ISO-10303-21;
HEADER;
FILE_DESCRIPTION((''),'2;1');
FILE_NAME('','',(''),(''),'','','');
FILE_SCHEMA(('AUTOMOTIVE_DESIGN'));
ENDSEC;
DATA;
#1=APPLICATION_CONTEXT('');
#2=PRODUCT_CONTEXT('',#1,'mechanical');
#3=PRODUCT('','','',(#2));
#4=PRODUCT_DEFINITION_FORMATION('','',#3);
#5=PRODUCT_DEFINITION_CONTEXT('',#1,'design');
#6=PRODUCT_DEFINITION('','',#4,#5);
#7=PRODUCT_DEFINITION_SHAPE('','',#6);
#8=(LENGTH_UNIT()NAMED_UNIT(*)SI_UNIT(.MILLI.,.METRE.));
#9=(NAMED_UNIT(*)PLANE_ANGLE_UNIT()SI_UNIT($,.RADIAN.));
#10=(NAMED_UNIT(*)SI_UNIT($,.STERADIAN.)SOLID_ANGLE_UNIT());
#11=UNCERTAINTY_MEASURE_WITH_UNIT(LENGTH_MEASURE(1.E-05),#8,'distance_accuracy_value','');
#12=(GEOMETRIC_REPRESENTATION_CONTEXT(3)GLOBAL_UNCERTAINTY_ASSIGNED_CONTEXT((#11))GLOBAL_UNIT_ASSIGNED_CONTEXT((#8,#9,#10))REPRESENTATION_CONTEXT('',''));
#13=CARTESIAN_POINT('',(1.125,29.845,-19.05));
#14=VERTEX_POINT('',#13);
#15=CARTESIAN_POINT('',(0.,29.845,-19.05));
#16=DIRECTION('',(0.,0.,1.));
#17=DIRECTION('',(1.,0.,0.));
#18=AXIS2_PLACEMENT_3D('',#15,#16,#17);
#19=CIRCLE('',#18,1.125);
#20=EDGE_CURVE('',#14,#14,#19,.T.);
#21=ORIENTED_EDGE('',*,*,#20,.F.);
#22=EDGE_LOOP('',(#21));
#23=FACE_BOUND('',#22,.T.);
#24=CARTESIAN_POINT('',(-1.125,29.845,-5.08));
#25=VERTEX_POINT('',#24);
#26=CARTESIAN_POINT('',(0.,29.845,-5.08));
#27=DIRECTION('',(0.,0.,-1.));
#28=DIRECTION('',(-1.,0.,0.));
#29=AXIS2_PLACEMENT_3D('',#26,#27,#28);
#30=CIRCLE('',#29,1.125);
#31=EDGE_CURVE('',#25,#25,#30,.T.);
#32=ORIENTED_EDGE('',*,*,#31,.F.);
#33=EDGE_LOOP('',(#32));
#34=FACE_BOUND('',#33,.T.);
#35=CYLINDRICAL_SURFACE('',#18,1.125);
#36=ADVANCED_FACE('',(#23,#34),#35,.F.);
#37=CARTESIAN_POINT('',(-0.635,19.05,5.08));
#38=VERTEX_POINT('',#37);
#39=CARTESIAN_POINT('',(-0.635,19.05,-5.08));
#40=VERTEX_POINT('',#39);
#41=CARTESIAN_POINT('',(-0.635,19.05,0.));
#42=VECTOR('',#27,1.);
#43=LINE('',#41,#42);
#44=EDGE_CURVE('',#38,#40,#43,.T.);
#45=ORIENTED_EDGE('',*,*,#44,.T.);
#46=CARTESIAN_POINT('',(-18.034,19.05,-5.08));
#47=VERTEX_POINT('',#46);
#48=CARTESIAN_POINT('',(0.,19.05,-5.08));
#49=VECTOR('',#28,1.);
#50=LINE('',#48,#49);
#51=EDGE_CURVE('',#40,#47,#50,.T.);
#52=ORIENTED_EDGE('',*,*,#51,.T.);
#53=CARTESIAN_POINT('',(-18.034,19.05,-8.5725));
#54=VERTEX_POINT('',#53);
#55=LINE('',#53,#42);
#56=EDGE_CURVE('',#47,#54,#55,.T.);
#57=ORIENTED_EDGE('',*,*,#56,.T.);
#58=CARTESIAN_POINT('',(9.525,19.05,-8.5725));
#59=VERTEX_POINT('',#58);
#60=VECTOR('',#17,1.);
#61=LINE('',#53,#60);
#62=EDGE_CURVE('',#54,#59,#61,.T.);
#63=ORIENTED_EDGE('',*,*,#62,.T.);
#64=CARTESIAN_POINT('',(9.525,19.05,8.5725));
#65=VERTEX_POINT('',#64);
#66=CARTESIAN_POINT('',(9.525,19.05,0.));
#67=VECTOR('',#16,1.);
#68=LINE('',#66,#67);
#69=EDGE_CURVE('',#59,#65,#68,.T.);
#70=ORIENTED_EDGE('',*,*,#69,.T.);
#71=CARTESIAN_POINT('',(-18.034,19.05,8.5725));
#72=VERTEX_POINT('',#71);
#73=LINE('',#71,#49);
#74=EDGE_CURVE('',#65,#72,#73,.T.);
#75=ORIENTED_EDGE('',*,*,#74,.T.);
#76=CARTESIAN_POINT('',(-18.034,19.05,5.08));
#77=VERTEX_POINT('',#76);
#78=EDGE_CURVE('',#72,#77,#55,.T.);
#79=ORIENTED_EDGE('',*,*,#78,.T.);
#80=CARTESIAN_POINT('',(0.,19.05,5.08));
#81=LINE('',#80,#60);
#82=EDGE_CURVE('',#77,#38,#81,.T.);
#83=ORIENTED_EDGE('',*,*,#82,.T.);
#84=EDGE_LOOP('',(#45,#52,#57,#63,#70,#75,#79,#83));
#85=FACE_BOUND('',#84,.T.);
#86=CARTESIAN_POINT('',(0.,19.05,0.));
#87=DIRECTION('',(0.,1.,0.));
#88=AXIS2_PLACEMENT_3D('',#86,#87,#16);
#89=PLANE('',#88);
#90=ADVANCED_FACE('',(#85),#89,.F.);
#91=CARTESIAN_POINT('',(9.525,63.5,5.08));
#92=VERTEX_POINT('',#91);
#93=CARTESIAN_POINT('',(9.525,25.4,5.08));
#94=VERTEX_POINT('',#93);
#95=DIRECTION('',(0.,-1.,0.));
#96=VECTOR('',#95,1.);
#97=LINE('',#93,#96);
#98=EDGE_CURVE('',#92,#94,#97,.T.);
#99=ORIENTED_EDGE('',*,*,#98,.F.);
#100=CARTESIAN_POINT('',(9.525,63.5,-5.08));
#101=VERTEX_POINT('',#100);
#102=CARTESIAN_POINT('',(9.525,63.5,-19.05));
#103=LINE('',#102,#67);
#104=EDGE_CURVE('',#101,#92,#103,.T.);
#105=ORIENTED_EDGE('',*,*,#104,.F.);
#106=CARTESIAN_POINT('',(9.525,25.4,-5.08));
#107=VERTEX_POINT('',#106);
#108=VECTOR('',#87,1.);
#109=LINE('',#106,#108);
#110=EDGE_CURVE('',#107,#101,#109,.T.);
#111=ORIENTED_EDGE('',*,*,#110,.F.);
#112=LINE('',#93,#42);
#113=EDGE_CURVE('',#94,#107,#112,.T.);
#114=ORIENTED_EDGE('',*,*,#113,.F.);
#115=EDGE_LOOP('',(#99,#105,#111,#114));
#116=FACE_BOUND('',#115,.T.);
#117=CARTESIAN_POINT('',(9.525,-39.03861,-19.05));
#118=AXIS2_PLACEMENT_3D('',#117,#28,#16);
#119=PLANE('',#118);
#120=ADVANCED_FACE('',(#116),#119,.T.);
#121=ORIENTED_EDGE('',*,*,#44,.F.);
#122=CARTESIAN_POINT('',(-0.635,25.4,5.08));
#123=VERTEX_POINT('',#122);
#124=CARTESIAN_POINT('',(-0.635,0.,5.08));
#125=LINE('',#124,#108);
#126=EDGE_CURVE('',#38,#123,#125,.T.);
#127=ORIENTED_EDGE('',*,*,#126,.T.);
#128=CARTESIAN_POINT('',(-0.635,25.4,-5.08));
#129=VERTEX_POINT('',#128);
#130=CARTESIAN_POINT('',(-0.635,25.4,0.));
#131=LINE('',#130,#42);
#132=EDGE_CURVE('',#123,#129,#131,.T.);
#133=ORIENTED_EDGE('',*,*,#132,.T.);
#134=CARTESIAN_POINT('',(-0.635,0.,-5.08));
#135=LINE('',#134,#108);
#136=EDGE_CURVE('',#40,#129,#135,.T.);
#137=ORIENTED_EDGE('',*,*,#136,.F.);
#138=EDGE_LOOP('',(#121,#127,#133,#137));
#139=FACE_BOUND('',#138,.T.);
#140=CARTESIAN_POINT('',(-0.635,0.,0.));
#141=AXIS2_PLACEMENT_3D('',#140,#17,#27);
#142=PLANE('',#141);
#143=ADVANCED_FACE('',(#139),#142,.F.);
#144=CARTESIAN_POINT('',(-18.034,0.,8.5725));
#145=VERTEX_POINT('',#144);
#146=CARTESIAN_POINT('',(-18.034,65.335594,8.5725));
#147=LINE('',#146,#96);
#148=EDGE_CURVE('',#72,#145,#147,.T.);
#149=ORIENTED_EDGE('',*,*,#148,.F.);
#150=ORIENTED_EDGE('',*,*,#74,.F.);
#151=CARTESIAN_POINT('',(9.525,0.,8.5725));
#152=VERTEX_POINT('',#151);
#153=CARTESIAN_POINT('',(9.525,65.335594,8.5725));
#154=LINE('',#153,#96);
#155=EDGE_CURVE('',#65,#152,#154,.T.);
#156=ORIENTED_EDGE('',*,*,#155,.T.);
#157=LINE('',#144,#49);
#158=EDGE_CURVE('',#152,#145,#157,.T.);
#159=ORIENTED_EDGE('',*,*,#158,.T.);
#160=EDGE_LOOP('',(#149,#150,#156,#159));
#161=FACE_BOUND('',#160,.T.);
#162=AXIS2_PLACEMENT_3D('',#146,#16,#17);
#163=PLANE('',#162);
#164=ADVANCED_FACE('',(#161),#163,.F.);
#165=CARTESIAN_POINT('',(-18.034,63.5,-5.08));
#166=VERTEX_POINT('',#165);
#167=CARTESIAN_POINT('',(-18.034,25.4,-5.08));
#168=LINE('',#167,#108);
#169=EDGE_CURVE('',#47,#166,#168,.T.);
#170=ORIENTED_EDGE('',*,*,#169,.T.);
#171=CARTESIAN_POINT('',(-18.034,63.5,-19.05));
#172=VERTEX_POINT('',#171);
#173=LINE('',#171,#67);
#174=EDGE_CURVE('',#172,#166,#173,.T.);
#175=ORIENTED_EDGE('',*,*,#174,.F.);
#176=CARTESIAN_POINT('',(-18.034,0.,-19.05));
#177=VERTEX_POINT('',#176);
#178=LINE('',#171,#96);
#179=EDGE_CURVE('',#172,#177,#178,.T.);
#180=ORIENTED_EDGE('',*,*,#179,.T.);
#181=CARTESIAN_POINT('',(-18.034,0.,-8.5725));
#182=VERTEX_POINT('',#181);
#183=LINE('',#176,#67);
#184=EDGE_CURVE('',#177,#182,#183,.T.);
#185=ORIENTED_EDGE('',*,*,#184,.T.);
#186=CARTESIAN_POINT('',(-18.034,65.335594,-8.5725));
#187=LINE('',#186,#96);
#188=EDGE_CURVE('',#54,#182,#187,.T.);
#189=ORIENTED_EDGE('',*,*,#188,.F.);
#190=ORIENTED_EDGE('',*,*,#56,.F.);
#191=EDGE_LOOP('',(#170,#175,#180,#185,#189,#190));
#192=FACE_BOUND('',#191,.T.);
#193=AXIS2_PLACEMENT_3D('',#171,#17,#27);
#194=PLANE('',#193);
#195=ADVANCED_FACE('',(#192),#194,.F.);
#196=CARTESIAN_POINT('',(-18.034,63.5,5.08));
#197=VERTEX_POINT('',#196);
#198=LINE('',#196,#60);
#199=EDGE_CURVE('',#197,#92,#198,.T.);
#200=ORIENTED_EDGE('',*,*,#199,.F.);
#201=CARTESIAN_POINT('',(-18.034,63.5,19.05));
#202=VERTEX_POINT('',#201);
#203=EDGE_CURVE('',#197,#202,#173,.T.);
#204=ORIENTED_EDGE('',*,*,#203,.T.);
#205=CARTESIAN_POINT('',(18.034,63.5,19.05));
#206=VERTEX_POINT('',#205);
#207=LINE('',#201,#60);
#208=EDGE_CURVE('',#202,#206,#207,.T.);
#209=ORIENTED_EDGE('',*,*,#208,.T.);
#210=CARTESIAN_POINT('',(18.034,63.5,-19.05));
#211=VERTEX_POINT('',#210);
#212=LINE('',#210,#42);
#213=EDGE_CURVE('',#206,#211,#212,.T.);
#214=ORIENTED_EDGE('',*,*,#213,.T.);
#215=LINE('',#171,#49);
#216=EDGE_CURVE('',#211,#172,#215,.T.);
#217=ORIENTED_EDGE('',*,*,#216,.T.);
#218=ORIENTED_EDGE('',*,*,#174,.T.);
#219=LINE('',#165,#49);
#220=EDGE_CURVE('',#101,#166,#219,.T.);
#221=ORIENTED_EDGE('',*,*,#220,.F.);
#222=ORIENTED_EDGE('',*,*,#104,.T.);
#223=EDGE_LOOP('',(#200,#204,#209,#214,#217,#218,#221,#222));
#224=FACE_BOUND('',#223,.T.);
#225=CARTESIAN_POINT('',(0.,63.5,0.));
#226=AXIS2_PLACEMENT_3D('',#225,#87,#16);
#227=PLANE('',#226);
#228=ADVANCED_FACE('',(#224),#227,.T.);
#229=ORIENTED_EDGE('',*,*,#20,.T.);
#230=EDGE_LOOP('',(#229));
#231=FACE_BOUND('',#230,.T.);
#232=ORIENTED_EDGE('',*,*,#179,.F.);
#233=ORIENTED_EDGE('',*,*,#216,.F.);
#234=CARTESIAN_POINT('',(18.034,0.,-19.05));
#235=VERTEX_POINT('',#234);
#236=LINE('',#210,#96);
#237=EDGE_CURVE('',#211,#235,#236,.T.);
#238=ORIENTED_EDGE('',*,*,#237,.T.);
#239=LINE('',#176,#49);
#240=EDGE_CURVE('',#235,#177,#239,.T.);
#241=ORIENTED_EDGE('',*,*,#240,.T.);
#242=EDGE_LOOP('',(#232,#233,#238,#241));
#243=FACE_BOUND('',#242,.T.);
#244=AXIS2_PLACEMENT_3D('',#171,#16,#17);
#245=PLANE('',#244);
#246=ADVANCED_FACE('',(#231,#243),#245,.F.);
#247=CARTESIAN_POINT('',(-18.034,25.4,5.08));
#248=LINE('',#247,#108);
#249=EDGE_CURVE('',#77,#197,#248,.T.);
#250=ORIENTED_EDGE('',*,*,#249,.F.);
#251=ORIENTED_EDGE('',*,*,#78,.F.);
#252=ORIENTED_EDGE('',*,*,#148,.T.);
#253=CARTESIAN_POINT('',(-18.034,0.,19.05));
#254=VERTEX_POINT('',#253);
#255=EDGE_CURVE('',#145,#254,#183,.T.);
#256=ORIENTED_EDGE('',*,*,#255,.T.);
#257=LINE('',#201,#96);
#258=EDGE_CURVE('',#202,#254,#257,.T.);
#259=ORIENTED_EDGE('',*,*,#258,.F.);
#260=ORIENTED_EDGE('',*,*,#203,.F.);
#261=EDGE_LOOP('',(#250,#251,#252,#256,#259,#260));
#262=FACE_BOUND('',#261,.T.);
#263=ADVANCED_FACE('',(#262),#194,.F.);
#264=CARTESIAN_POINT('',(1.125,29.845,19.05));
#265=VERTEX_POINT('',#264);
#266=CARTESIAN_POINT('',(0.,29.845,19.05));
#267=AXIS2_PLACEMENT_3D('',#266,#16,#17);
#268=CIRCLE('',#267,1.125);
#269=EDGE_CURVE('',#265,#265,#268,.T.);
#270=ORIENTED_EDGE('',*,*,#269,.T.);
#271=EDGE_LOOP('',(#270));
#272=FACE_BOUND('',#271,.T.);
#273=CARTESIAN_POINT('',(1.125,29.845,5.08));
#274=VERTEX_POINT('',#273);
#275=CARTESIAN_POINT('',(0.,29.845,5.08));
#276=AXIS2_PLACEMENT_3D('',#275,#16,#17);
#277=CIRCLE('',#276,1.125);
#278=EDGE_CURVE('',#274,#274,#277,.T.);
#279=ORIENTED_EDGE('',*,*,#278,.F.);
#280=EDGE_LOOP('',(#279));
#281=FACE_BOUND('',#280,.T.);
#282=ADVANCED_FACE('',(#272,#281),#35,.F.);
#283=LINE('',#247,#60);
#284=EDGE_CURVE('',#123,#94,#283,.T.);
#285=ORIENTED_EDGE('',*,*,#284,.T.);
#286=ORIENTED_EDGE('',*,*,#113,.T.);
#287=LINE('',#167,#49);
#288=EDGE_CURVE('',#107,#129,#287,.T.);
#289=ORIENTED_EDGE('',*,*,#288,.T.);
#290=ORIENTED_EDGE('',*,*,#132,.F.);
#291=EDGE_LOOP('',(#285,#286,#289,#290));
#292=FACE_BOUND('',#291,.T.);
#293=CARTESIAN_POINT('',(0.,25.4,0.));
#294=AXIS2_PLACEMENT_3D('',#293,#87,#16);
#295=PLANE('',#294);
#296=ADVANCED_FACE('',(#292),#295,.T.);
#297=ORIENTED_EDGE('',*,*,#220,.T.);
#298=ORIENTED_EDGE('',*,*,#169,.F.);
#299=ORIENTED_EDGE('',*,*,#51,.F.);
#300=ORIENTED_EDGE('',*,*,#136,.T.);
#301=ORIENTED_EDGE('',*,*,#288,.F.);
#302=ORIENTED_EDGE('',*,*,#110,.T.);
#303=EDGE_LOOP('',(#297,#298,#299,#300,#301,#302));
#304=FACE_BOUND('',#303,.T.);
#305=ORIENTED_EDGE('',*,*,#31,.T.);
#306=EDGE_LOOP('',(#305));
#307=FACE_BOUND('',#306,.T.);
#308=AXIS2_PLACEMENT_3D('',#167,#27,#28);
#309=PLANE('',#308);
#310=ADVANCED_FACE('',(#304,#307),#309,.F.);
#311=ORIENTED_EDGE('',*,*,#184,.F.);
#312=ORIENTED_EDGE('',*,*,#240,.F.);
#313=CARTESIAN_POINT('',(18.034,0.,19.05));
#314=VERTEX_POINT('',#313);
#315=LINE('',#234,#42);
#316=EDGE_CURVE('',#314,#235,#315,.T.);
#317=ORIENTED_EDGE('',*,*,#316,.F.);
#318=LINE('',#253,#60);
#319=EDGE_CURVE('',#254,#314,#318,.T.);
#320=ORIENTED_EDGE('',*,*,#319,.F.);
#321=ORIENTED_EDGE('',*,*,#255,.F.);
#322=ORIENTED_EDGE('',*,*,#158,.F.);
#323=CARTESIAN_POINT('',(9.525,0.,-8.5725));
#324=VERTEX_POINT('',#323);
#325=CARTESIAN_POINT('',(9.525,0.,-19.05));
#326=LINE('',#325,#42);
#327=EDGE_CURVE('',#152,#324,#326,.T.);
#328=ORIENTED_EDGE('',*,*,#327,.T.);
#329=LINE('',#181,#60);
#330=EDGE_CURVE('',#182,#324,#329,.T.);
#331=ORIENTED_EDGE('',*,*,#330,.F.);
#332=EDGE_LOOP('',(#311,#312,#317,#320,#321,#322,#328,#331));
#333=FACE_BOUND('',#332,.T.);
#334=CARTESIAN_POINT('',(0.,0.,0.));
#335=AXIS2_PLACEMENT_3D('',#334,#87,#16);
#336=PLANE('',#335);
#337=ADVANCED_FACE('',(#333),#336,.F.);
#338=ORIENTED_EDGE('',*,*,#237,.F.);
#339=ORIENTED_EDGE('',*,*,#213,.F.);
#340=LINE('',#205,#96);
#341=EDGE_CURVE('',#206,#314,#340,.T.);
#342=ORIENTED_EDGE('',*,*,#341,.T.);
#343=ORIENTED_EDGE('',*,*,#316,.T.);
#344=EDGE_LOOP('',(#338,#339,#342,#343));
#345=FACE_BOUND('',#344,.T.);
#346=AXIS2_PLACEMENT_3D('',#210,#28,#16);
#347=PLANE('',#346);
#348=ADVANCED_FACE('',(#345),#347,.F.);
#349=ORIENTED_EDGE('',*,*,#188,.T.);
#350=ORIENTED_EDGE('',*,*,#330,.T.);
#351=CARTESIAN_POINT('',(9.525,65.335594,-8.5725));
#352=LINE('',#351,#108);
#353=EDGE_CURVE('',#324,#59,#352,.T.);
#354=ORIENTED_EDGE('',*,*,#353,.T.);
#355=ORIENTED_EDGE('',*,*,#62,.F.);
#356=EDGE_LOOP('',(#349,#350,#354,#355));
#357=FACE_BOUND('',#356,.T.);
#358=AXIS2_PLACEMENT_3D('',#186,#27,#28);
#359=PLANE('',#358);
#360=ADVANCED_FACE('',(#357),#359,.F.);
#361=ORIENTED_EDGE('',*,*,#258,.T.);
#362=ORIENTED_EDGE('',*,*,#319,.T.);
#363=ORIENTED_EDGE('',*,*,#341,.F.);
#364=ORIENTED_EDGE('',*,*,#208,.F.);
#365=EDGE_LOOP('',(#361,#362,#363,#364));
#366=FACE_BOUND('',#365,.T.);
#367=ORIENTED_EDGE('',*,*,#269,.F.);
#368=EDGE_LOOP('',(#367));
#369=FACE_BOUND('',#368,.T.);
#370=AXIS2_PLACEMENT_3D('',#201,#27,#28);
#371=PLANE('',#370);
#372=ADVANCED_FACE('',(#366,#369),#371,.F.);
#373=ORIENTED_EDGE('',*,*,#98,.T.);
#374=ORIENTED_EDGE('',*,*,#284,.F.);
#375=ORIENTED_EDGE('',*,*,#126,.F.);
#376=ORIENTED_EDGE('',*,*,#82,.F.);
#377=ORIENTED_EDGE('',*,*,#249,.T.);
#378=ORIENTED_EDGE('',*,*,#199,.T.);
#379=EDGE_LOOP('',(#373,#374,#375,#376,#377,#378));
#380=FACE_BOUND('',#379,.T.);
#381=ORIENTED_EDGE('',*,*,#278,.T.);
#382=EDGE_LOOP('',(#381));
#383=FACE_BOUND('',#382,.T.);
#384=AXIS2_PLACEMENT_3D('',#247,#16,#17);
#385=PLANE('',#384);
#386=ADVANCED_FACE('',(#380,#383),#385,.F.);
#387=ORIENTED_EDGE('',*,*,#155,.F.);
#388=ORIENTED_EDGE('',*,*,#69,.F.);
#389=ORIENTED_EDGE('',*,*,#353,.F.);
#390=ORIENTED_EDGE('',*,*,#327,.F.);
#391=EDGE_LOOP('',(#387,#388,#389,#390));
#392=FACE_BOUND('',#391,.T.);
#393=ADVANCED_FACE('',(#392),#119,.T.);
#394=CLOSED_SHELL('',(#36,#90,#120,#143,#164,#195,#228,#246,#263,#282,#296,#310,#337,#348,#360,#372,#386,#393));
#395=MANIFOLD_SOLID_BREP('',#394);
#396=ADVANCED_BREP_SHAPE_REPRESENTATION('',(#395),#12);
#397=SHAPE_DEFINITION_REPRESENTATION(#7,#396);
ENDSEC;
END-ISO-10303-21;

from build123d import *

# Parameters (mm, degrees)
SKETCH1_W               = 36.068
SKETCH1_H               = 38.1
BOSS_EXTRUDE1_DEPTH     = 63.5
SKETCH3_W               = 36.068
SKETCH3_H               = 10.16
CUT_EXTRUDE1_DEPTH      = 38.1
SKETCH4_W               = 36.068
SKETCH4_H               = 17.145
CUT_EXTRUDE2_DEPTH      = 19.05
SKETCH5_W               = 17.399
SKETCH5_H               = 10.16
CUT_EXTRUDE3_DEPTH      = 47.257298408
CUT_EXTRUDE4_DEPTH      = 71.283227416
CUT_EXTRUDE4_DEPTH_BACK = 71.283227416
SKETCH6_R               = 1.125
BOSS_EXTRUDE2_REACH     = 70.705
SKETCH7_W               = 8.509
SKETCH7_H               = 38.1
SKETCH8_W               = 10.16
SKETCH8_H               = 6.35
BOSS_EXTRUDE3_DEPTH     = 8.89


with BuildPart() as part:
    # Sketch1 → Boss-Extrude1 (new body)
    with BuildSketch(Plane(origin=(0, 0, 0), x_dir=(1, 0, 0), z_dir=(0, 1, 0))):
        Rectangle(SKETCH1_W, SKETCH1_H)
    extrude(amount=BOSS_EXTRUDE1_DEPTH)

    # Sketch3 → Cut-Extrude1 (cut)
    with BuildSketch(Plane(origin=(0, 63.5, 0), x_dir=(1, 0, 0), z_dir=(0, 1, 0))):
        Rectangle(SKETCH3_W, SKETCH3_H)
    extrude(amount=-CUT_EXTRUDE1_DEPTH, mode=Mode.SUBTRACT)

    # Sketch4 → Cut-Extrude2 (cut)
    with BuildSketch(Plane.XZ):
        Rectangle(SKETCH4_W, SKETCH4_H)
    extrude(amount=-CUT_EXTRUDE2_DEPTH, mode=Mode.SUBTRACT)

    # Sketch5 → Cut-Extrude3 (cut, through all)
    with BuildSketch(Plane(origin=(0, 25.4, 0), x_dir=(1, 0, 0), z_dir=(0, 1, 0))):
        with Locations((-9.3345, 0)):
            Rectangle(SKETCH5_W, SKETCH5_H)
        with Locations((9.3345, 0)):
            Rectangle(SKETCH5_W, SKETCH5_H)
    extrude(amount=-CUT_EXTRUDE3_DEPTH, mode=Mode.SUBTRACT)

    # Sketch6 → Cut-Extrude4 (cut, two sides: drawn at the far end of the back side and taken through both)
    with BuildSketch(Plane.XY.offset(-5.08).offset(-CUT_EXTRUDE4_DEPTH_BACK)):
        with Locations((0, 29.845)):
            Circle(SKETCH6_R)
    extrude(amount=CUT_EXTRUDE4_DEPTH + CUT_EXTRUDE4_DEPTH_BACK, mode=Mode.SUBTRACT)

    # Boss-Extrude2: up to this face of the body (flat: up to its plane)
    boss_extrude2_end = Plane(part.part.faces().sort_by_distance((0, 0, 13.81125))[0])
    # Sketch7 → Boss-Extrude2 (add, up to the picked face)
    with BuildSketch(Plane(origin=(0, 63.5, 0), x_dir=(1, 0, 0), z_dir=(0, 1, 0)), mode=Mode.PRIVATE) as boss_extrude2_sk1:
        with Locations((13.7795, 0)):
            Rectangle(SKETCH7_W, SKETCH7_H)
    boss_extrude2_tool1 = split(extrude(boss_extrude2_sk1.sketch, amount=-BOSS_EXTRUDE2_REACH, mode=Mode.PRIVATE), bisect_by=boss_extrude2_end, keep=Keep.BOTH, mode=Mode.PRIVATE)
    add(boss_extrude2_tool1.solids().sort_by(Axis((13.7795, 63.5, 0), (0, -1, 0)))[0])

    # Sketch8 → Boss-Extrude3 (add)
    with BuildSketch(Plane(origin=(0.635, 0, 0), x_dir=(0, 0, -1), z_dir=(1, 0, 0))):
        with Locations((0, 22.225)):
            Rectangle(SKETCH8_W, SKETCH8_H)
    extrude(amount=BOSS_EXTRUDE3_DEPTH)


solid = part.part
